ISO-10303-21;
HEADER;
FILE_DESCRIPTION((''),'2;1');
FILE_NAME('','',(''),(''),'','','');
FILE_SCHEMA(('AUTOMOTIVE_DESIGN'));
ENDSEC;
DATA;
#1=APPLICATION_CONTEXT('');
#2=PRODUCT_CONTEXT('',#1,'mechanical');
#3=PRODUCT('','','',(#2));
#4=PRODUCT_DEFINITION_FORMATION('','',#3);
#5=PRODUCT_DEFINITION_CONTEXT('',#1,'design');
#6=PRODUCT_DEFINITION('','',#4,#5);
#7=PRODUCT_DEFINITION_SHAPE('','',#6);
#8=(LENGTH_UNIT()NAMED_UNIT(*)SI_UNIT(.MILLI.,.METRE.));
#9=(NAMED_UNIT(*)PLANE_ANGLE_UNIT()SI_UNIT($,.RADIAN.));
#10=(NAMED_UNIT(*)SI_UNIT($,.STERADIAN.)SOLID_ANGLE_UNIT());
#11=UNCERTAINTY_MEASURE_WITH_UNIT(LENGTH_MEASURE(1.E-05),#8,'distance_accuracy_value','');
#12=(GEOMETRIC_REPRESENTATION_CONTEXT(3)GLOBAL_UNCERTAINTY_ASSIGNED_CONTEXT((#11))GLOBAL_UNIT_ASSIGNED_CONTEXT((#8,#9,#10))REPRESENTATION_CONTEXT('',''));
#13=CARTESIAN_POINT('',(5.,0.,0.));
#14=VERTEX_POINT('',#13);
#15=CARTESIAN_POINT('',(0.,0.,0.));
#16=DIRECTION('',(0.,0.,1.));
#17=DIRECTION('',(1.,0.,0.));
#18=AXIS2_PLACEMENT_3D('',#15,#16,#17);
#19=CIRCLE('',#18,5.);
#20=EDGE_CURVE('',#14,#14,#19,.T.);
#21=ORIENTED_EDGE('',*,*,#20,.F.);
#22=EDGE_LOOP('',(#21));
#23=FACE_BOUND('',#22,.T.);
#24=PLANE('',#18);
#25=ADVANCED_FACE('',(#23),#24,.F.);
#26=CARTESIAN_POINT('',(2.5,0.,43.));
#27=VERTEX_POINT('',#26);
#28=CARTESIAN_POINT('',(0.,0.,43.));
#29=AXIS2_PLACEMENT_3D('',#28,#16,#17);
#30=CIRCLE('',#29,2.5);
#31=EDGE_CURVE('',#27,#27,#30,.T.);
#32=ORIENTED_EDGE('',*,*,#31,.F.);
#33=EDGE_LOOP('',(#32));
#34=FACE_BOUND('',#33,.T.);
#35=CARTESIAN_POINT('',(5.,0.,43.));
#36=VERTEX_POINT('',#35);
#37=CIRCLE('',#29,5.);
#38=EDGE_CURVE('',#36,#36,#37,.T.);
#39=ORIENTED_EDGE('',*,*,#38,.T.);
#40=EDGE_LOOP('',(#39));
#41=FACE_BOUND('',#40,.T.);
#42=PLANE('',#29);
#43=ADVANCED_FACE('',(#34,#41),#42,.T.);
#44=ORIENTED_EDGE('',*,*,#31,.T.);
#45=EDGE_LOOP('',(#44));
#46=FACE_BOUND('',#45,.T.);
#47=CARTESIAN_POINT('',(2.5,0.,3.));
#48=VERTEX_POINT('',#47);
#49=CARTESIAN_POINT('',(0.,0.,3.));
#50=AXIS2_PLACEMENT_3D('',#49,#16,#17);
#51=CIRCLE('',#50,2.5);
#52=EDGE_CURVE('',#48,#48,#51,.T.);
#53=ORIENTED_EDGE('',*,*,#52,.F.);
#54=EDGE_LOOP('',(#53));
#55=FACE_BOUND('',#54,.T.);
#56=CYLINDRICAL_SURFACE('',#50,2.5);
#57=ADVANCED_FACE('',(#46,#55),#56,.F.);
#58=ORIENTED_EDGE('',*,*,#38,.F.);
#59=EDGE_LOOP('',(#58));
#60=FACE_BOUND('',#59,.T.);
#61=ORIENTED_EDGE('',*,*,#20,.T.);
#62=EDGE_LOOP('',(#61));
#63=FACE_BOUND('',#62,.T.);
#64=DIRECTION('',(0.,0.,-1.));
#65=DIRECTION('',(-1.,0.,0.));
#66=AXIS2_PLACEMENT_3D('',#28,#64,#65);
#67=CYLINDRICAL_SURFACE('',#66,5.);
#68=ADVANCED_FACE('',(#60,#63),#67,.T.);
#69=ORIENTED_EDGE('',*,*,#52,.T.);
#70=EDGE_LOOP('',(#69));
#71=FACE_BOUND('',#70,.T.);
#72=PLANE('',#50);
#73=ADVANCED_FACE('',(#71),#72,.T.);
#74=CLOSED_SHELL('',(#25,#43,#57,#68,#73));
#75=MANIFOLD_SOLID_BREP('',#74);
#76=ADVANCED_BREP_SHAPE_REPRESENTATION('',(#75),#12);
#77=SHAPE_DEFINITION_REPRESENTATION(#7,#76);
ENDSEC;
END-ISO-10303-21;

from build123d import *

# Parameters (mm, degrees)
SKETCH1_R           = 5
BOSS_EXTRUDE1_DEPTH = 43
SKETCH2_R           = 2.5
CUT_EXTRUDE1_DEPTH  = 40


with BuildPart() as part:
    # Sketch1 → Boss-Extrude1 (new body)
    with BuildSketch(Plane.XY):
        Circle(SKETCH1_R)
    extrude(amount=BOSS_EXTRUDE1_DEPTH)

    # Sketch2 → Cut-Extrude1 (cut)
    with BuildSketch(Plane.XY.offset(43)):
        Circle(SKETCH2_R)
    extrude(amount=-CUT_EXTRUDE1_DEPTH, mode=Mode.SUBTRACT)


solid = part.part
